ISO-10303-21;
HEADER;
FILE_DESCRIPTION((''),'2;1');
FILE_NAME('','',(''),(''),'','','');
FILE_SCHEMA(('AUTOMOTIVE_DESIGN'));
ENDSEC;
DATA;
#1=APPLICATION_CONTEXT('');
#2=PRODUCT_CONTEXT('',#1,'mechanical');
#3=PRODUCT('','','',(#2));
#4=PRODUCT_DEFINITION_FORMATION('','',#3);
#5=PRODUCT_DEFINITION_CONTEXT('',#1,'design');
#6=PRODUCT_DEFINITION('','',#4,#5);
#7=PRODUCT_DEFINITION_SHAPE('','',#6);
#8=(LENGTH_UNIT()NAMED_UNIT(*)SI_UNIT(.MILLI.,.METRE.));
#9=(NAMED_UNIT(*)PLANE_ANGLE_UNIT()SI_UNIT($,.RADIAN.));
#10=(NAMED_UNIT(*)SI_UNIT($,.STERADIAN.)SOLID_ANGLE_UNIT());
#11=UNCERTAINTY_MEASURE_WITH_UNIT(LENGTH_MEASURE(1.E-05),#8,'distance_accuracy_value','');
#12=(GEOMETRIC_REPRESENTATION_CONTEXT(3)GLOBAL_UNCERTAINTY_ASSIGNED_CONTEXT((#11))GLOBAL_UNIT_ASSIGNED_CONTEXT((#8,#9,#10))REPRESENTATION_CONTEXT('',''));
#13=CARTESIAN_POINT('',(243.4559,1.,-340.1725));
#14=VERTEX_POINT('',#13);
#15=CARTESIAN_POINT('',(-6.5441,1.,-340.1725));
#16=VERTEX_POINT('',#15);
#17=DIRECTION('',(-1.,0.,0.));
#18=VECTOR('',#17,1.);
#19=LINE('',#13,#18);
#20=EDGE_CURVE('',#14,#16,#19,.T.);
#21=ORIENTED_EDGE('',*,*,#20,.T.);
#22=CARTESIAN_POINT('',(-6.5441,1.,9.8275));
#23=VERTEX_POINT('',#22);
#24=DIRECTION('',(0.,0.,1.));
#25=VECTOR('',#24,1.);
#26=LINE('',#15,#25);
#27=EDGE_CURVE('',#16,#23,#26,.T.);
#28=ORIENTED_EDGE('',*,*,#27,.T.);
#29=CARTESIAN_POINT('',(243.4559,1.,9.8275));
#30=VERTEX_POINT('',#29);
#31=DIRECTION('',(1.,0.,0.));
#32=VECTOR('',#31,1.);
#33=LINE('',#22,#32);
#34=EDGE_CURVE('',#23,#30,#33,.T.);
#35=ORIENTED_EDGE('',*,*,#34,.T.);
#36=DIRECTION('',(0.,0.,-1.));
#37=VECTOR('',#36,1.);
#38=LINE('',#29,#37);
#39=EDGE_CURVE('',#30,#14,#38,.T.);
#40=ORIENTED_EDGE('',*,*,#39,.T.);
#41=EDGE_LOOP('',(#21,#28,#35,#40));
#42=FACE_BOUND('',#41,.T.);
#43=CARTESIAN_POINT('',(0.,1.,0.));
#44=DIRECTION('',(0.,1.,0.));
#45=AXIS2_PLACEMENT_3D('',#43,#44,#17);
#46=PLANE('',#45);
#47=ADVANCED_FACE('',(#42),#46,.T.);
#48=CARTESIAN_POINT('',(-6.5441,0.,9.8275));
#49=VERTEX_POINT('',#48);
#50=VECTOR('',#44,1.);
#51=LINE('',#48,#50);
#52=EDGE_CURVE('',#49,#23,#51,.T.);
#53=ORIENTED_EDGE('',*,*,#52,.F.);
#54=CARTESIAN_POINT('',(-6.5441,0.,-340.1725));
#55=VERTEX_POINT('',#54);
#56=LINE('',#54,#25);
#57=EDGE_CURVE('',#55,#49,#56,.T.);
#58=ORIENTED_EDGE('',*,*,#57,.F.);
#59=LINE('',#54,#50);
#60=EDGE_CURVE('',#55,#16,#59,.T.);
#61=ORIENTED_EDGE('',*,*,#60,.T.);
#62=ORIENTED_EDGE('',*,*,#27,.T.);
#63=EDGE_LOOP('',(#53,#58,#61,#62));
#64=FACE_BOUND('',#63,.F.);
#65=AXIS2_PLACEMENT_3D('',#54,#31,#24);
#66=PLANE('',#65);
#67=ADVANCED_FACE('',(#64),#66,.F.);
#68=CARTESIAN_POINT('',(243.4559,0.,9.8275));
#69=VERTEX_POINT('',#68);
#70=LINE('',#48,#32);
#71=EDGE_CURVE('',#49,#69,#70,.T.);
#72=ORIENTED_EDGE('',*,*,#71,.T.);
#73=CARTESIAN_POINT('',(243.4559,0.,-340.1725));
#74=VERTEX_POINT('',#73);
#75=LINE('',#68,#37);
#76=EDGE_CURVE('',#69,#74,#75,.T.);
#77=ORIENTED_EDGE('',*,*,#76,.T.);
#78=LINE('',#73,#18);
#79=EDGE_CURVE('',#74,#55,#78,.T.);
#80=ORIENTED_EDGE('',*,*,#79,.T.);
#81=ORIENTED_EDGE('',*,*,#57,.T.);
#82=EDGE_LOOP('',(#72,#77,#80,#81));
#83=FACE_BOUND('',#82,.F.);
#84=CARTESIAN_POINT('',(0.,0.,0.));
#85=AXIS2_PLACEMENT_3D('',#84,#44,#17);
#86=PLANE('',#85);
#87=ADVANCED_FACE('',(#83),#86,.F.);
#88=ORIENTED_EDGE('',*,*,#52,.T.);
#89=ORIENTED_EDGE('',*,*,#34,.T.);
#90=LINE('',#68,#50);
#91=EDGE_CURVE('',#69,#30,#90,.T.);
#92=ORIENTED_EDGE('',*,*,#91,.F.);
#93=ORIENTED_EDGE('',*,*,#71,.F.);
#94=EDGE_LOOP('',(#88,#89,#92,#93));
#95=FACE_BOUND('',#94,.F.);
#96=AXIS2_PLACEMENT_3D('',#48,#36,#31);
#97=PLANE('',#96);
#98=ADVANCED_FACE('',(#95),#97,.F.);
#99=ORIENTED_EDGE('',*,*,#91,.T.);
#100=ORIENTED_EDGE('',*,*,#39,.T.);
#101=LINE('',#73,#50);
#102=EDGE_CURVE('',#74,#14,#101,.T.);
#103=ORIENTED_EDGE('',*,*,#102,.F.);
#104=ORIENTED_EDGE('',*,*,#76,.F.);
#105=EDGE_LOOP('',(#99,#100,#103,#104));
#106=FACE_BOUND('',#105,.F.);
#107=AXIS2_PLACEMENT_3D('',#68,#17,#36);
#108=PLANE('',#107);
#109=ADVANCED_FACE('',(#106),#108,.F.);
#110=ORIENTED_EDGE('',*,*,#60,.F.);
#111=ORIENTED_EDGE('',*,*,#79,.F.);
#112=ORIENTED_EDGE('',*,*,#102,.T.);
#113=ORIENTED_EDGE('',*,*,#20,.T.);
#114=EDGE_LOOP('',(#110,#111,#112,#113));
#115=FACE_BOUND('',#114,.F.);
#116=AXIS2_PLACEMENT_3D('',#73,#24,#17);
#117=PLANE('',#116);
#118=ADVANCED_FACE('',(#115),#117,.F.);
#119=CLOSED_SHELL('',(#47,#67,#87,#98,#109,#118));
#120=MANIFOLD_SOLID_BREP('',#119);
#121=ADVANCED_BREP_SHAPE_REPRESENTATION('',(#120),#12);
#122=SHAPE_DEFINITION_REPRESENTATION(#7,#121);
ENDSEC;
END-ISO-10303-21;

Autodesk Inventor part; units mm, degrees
ref_plane "YZ Plane" through (0, 0, 0) normal (1, 0, 0) x (0, 1, 0)
ref_plane "XZ Plane" through (0, 0, 0) normal (0, 1, 0) x (-1, 0, 0)
ref_plane "XY Plane" through (0, 0, 0) normal (0, 0, 1) x (1, 0, 0)
sketch "Esquisse1" plane through (0, 0, 0) normal (0, 1, 0) x (-1, 0, 0)
  line L0 (6.5441, 9.8275) -> (-243.4559, 9.8275)
  line L1 (-243.4559, 9.8275) -> (-243.4559, -340.1725)
  line L2 (-243.4559, -340.1725) -> (6.5441, -340.1725)
  line L3 (6.5441, -340.1725) -> (6.5441, 9.8275)
  point P0 (0, 0)
  dimension "d0" = 350
  dimension "d1" = 250
extrude "Extrusion1" add sketch "Esquisse1" along normal blind 1
properties part number "sol"
